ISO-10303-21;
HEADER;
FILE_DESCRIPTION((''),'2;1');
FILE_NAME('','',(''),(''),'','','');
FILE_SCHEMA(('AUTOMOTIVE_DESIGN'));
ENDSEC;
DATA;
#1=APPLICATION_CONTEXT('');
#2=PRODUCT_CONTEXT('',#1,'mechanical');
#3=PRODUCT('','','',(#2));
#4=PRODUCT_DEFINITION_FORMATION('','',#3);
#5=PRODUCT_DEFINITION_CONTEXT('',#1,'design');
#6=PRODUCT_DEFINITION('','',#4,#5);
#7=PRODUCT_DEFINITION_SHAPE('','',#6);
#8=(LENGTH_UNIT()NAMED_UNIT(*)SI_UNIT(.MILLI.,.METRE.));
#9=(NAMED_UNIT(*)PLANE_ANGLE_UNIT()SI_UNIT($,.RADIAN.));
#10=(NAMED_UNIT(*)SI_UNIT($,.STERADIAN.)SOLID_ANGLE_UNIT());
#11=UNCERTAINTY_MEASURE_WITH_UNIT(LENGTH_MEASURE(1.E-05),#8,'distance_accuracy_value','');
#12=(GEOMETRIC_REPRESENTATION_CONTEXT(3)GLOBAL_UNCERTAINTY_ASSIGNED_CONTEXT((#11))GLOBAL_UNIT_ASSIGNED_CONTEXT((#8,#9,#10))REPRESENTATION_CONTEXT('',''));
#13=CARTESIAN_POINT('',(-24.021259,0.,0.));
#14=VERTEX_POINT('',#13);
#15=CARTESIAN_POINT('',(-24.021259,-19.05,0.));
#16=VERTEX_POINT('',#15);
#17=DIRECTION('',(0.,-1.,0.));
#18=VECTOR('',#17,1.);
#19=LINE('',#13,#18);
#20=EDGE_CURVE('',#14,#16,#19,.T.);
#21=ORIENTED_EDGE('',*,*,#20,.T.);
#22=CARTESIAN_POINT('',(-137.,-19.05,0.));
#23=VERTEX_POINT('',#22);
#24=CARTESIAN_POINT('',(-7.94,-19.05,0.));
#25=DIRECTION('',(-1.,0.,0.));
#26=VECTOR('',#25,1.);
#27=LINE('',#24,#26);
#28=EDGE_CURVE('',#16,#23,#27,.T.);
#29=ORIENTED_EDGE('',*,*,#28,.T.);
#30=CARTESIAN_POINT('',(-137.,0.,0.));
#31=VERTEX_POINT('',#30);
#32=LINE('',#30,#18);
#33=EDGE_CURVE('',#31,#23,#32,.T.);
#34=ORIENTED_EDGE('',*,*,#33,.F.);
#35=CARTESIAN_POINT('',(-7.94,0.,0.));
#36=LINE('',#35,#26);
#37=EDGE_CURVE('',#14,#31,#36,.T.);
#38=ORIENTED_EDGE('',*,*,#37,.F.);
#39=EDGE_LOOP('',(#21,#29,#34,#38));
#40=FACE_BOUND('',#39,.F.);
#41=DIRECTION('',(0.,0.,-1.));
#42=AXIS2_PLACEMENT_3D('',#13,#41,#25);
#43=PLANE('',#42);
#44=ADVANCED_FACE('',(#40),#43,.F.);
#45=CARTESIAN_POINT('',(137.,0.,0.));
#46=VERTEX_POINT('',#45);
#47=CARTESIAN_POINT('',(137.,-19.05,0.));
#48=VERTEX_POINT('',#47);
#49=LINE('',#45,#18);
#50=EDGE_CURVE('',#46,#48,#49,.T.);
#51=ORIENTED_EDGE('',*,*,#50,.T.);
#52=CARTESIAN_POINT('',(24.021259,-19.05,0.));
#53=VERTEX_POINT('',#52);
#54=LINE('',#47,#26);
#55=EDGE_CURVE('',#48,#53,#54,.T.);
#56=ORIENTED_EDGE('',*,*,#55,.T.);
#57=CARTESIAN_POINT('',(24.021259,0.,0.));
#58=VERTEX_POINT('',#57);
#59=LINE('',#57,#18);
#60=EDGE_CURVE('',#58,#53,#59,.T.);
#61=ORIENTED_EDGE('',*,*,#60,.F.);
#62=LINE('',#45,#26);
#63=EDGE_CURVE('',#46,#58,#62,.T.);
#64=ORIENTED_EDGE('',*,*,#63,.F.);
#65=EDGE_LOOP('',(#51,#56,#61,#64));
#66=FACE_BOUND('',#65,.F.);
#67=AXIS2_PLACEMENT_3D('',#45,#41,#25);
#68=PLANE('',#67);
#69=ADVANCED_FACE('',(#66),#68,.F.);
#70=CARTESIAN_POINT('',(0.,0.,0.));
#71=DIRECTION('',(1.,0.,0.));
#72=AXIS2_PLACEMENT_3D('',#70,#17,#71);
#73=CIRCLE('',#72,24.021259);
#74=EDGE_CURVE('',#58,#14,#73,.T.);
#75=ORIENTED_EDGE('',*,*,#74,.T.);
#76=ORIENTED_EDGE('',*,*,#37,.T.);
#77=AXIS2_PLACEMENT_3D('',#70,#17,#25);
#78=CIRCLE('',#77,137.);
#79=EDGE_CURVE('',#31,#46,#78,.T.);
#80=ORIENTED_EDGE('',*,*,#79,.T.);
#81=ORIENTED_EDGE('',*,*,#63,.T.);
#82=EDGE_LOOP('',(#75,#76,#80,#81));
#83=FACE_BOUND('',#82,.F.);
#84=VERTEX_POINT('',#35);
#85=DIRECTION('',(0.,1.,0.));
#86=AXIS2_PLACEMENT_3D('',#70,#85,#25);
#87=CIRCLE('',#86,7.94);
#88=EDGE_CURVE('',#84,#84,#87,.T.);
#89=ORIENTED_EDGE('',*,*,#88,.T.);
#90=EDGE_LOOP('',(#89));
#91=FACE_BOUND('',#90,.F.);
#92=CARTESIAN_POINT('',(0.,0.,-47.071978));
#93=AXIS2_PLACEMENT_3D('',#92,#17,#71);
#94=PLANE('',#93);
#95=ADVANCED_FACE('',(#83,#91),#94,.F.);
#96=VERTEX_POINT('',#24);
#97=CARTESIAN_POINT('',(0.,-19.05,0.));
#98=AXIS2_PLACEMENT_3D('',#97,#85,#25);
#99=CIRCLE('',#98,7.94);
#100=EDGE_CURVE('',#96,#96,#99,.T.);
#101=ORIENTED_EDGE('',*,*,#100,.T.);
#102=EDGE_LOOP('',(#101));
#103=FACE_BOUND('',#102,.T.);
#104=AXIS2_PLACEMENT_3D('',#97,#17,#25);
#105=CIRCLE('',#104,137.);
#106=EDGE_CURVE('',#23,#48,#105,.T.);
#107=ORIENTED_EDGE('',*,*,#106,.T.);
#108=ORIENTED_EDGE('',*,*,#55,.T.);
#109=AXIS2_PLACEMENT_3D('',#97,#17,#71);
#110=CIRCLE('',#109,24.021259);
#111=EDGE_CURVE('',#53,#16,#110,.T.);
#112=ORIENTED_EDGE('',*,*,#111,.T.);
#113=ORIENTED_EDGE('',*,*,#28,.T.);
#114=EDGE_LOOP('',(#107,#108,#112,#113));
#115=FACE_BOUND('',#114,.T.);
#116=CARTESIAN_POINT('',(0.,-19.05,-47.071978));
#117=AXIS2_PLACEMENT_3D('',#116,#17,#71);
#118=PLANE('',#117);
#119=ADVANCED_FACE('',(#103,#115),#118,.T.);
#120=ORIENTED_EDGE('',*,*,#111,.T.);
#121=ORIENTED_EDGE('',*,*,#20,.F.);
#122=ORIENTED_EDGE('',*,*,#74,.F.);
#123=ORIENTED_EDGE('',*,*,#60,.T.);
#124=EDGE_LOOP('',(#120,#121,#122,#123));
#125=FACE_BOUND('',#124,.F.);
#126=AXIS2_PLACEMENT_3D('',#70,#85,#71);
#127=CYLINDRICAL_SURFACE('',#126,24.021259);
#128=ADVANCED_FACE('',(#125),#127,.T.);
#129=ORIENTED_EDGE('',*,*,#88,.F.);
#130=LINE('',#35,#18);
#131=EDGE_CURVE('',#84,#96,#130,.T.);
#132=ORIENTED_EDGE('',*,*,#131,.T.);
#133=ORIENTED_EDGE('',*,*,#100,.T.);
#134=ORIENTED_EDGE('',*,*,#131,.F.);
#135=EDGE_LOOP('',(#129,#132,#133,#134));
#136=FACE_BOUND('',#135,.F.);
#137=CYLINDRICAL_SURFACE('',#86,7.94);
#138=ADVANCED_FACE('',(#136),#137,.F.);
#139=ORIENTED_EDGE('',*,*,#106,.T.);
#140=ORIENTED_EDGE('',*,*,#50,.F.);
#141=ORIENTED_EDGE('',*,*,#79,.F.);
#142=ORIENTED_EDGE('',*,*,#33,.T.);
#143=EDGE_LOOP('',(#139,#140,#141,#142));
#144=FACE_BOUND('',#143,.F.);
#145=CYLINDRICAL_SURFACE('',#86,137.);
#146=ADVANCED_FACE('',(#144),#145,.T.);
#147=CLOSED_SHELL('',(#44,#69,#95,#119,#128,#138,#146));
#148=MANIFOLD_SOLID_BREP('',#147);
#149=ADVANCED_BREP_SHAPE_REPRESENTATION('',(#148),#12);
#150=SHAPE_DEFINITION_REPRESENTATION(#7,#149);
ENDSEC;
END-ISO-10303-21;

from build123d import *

# Parameters (mm, degrees)
F1_DEPTH = 19.05


with BuildPart() as f1:
    # F0 (on Front) → F1 (new body)
    with BuildSketch(Plane.XZ):
        with BuildLine():
            Line((-24.021259, 0), (-137, 0))
            ThreePointArc((-137, 0), (0, -137), (137, 0))
            Line((137, 0), (24.021259, 0))
            Line((24.021259, 0), (7.94, 0))
            ThreePointArc((7.94, 0), (0, -7.94), (-7.94, 0))
            Line((-7.94, 0), (-24.021259, 0))
        make_face()
        with BuildLine():
            ThreePointArc((24.021259, 0), (0, 24.021259), (-24.021259, 0))
            Line((-24.021259, 0), (-7.94, 0))
            ThreePointArc((-7.94, 0), (0, 7.94), (7.94, 0))
            Line((7.94, 0), (24.021259, 0))
        make_face()
    extrude(amount=F1_DEPTH)


solid = f1.part
